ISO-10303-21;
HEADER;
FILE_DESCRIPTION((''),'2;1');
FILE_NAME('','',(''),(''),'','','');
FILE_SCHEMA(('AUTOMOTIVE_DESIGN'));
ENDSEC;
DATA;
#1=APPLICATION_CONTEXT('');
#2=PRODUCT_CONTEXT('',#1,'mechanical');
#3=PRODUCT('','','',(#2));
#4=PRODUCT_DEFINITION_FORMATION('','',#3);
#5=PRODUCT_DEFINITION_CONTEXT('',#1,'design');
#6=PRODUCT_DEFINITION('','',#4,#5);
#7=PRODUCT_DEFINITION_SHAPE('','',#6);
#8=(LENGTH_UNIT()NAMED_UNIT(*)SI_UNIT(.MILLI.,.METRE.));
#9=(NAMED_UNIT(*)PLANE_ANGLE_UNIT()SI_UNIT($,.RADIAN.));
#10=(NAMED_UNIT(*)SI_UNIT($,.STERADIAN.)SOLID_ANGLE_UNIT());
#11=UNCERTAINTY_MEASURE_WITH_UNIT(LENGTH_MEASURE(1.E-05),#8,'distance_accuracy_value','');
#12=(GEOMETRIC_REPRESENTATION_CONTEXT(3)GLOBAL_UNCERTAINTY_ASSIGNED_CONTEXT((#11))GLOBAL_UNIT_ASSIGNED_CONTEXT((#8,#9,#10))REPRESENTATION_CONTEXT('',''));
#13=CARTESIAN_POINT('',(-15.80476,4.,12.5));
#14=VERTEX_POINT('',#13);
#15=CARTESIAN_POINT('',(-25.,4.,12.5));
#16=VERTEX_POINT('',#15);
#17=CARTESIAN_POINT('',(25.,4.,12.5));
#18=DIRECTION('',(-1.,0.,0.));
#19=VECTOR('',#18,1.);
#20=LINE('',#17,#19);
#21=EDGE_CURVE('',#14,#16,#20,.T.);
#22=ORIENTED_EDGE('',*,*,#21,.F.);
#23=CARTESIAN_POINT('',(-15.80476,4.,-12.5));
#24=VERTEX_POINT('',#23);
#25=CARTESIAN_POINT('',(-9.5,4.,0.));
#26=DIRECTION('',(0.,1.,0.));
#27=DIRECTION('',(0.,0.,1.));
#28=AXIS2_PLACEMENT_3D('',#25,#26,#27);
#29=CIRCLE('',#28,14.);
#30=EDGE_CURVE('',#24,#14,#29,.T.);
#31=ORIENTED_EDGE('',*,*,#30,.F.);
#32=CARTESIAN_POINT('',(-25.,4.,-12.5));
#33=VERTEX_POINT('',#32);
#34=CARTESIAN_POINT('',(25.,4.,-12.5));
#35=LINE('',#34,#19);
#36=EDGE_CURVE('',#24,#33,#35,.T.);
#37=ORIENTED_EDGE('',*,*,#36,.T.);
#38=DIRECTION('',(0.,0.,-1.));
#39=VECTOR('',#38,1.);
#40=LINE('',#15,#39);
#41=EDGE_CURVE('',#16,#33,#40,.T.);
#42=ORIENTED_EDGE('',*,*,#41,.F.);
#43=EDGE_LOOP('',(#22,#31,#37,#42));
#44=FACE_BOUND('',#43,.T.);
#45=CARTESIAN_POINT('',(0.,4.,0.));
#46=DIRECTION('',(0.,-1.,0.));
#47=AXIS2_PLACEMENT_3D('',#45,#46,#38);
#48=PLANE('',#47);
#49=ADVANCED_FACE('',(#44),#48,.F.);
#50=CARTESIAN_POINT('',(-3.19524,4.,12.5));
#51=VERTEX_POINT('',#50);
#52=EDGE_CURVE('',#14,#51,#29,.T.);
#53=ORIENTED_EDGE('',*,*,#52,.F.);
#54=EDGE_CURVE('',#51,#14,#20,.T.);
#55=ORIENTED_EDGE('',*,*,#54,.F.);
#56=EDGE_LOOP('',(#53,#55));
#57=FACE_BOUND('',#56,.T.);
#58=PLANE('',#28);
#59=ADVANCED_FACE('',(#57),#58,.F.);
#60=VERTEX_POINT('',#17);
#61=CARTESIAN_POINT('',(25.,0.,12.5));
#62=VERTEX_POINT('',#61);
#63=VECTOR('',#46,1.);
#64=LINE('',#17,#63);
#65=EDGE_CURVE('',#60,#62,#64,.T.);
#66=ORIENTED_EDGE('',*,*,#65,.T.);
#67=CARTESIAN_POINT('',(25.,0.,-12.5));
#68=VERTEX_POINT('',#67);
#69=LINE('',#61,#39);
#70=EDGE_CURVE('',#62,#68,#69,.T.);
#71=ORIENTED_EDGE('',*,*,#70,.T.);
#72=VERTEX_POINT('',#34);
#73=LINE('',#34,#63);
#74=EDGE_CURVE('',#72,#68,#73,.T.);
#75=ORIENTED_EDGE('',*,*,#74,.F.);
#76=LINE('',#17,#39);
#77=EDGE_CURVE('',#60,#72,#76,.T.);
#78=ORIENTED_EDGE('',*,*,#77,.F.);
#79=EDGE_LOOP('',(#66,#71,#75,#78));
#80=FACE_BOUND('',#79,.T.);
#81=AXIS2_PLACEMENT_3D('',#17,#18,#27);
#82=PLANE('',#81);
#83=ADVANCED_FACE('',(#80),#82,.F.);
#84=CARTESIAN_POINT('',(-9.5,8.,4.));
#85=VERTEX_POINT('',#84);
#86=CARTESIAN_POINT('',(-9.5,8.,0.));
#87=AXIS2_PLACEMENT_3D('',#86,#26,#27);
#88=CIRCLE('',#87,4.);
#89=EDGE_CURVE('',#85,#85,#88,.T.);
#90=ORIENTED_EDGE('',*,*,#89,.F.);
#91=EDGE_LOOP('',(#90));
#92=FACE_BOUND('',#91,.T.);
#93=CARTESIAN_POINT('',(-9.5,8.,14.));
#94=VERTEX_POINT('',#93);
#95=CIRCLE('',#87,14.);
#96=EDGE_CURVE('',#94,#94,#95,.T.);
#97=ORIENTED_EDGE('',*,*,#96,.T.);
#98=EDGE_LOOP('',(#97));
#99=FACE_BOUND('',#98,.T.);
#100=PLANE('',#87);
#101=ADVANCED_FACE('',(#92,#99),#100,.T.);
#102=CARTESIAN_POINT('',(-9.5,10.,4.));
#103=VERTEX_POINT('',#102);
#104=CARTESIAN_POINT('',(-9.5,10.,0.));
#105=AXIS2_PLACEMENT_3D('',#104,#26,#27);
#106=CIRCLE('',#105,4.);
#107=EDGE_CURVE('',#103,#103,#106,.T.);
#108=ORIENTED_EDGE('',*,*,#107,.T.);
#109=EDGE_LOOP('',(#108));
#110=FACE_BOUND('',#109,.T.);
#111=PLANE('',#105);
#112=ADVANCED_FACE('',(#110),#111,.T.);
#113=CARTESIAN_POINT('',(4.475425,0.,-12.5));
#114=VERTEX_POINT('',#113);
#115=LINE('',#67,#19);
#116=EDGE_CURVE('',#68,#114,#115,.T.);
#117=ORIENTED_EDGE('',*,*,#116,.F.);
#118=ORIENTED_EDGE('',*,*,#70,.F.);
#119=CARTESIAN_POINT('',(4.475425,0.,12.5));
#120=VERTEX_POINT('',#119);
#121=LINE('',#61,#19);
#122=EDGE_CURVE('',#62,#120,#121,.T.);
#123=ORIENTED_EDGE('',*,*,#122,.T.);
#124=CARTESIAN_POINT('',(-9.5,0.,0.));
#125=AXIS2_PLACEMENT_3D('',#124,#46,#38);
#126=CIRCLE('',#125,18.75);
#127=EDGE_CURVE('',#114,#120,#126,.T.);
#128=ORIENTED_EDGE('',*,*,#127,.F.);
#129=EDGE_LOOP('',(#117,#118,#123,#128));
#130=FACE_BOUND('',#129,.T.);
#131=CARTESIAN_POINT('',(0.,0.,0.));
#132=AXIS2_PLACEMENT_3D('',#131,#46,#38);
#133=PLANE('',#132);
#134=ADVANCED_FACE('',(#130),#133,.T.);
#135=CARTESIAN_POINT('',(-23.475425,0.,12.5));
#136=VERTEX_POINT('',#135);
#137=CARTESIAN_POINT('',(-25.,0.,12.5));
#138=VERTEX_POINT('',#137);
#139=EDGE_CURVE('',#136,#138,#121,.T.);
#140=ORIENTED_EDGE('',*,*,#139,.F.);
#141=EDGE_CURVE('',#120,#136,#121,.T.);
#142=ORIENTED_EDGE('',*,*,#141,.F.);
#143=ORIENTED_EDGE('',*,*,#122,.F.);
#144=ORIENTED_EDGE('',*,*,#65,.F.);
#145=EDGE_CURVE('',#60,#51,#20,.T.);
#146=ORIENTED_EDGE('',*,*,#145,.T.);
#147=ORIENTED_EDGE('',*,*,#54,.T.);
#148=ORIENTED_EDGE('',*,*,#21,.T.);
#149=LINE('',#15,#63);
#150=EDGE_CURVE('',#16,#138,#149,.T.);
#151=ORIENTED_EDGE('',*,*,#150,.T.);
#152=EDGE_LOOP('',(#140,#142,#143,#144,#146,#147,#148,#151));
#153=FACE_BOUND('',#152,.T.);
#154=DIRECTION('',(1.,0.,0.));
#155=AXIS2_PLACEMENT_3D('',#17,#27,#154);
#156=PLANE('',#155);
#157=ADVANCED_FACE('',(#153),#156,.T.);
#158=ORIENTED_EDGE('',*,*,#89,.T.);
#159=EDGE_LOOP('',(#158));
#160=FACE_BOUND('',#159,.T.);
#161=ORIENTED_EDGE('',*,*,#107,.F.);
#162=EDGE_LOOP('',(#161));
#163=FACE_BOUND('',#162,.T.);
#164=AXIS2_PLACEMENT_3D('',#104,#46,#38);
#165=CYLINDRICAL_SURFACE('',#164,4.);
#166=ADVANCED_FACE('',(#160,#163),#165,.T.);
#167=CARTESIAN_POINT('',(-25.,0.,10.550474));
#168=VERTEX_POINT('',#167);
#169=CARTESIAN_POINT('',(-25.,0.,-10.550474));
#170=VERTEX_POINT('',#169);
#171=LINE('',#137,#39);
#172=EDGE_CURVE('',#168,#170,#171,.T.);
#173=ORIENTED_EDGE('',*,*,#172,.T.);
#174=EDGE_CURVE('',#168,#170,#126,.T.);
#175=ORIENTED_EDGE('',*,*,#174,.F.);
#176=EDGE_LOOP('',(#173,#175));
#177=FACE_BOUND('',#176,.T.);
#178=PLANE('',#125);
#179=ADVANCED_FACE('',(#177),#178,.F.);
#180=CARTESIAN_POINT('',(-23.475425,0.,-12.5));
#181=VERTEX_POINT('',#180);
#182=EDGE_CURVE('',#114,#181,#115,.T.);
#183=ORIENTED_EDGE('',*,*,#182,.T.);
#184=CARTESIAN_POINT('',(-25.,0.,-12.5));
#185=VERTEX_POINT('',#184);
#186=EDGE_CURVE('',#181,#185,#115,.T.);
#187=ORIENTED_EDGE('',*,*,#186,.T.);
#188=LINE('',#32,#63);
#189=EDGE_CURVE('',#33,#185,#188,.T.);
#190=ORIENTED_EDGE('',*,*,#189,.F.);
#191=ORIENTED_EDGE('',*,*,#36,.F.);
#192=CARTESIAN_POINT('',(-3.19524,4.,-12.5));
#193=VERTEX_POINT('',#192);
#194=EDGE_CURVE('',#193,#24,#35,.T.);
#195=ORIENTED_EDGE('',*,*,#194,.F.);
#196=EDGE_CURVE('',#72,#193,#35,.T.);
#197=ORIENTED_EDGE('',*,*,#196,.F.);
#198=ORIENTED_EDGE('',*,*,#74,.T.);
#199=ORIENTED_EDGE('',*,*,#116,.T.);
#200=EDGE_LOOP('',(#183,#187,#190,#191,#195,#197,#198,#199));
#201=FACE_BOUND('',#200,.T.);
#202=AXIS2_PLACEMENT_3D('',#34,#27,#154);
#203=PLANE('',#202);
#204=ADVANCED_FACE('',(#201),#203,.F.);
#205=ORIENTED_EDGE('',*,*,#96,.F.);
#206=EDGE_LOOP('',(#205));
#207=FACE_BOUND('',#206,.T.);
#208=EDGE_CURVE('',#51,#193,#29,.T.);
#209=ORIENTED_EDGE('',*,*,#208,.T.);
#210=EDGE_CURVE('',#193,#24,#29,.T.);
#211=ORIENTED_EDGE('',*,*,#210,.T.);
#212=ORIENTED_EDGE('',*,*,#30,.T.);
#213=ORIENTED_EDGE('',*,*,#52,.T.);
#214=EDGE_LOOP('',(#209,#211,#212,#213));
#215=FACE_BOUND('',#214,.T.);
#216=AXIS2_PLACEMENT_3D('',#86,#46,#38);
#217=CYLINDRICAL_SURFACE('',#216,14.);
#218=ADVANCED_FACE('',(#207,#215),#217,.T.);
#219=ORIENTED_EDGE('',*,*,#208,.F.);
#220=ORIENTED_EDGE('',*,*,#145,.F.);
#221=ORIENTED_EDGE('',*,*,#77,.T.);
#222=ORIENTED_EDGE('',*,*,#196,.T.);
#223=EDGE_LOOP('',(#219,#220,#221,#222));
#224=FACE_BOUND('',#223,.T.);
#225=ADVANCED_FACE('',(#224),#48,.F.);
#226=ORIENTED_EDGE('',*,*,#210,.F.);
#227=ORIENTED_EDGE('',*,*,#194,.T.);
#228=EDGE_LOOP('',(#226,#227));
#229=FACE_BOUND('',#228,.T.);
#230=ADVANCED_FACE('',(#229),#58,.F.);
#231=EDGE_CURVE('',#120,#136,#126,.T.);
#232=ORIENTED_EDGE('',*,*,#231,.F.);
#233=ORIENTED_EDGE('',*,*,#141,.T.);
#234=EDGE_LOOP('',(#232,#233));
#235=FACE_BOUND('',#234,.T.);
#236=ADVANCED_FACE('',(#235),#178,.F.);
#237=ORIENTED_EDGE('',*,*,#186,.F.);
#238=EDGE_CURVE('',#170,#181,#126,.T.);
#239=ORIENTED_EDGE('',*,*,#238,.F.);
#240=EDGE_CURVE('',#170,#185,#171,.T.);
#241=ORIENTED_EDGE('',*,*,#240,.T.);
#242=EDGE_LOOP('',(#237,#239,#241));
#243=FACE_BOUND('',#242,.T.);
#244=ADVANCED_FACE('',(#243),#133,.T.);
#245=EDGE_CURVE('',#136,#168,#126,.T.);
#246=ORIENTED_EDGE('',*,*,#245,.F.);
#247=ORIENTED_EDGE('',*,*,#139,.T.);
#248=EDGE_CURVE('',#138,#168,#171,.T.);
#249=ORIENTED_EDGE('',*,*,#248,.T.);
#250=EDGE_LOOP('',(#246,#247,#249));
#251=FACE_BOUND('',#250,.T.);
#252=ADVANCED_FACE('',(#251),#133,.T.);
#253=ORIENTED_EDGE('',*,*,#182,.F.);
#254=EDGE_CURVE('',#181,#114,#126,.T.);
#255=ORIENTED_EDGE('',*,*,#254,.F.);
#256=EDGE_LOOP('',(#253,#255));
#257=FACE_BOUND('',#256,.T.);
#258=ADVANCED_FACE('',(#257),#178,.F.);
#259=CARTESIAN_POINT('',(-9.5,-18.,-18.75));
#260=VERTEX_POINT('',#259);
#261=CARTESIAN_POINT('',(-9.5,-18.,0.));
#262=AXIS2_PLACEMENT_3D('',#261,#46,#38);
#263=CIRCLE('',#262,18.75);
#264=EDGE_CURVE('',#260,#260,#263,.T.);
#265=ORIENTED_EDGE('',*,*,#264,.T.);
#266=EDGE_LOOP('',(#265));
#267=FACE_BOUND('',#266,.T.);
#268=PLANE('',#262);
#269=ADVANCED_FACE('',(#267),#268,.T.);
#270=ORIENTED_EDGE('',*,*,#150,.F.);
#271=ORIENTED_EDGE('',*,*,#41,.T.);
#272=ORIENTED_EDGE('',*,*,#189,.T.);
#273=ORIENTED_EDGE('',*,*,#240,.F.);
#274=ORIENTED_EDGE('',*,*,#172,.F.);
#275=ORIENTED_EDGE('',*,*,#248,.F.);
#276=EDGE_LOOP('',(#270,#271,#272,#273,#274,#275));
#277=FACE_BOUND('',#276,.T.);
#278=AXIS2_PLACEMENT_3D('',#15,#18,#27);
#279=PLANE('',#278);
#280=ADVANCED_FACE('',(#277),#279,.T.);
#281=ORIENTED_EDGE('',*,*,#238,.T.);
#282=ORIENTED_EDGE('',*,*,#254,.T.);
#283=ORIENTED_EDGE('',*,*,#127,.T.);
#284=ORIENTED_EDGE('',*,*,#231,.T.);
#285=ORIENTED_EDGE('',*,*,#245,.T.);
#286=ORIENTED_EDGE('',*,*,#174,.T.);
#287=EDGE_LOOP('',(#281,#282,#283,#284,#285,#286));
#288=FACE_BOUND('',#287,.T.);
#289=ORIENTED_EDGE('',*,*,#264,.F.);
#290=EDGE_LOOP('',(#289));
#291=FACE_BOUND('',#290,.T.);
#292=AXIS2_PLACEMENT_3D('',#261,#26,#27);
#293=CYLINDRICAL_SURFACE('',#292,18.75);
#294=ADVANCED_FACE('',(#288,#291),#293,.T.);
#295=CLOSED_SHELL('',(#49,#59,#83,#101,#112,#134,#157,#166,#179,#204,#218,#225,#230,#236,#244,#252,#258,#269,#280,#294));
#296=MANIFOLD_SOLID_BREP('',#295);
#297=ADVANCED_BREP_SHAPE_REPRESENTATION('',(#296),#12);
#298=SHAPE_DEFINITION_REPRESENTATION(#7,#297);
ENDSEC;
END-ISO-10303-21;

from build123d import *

# Parameters (mm, degrees)
SKETCH1_W           = 50
SKETCH1_H           = 25
BOSS_EXTRUDE1_DEPTH = 4
SKETCH2_R           = 14
BOSS_EXTRUDE2_DEPTH = 4
SKETCH3_R           = 4
BOSS_EXTRUDE3_DEPTH = 2
SKETCH4_R           = 18.75
BOSS_EXTRUDE4_DEPTH = 18


with BuildPart() as part:
    # Sketch1 → Boss-Extrude1 (new body)
    with BuildSketch(Plane(origin=(0, 0, 0), x_dir=(1, 0, 0), z_dir=(0, 1, 0))):
        Rectangle(SKETCH1_W, SKETCH1_H)
    extrude(amount=BOSS_EXTRUDE1_DEPTH)

    # Sketch2 → Boss-Extrude2 (add)
    with BuildSketch(Plane(origin=(0, 4, 0), x_dir=(1, 0, 0), z_dir=(0, 1, 0))):
        with Locations((-9.5, 0)):
            Circle(SKETCH2_R)
    extrude(amount=BOSS_EXTRUDE2_DEPTH)

    # Sketch3 → Boss-Extrude3 (add)
    with BuildSketch(Plane(origin=(0, 8, 0), x_dir=(1, 0, 0), z_dir=(0, 1, 0))):
        with Locations((-9.5, 0)):
            Circle(SKETCH3_R)
    extrude(amount=BOSS_EXTRUDE3_DEPTH)

    # Sketch4 → Boss-Extrude4 (add)
    with BuildSketch(Plane.XZ):
        with Locations((-9.5, 0)):
            Circle(SKETCH4_R)
    extrude(amount=BOSS_EXTRUDE4_DEPTH)


solid = part.part
